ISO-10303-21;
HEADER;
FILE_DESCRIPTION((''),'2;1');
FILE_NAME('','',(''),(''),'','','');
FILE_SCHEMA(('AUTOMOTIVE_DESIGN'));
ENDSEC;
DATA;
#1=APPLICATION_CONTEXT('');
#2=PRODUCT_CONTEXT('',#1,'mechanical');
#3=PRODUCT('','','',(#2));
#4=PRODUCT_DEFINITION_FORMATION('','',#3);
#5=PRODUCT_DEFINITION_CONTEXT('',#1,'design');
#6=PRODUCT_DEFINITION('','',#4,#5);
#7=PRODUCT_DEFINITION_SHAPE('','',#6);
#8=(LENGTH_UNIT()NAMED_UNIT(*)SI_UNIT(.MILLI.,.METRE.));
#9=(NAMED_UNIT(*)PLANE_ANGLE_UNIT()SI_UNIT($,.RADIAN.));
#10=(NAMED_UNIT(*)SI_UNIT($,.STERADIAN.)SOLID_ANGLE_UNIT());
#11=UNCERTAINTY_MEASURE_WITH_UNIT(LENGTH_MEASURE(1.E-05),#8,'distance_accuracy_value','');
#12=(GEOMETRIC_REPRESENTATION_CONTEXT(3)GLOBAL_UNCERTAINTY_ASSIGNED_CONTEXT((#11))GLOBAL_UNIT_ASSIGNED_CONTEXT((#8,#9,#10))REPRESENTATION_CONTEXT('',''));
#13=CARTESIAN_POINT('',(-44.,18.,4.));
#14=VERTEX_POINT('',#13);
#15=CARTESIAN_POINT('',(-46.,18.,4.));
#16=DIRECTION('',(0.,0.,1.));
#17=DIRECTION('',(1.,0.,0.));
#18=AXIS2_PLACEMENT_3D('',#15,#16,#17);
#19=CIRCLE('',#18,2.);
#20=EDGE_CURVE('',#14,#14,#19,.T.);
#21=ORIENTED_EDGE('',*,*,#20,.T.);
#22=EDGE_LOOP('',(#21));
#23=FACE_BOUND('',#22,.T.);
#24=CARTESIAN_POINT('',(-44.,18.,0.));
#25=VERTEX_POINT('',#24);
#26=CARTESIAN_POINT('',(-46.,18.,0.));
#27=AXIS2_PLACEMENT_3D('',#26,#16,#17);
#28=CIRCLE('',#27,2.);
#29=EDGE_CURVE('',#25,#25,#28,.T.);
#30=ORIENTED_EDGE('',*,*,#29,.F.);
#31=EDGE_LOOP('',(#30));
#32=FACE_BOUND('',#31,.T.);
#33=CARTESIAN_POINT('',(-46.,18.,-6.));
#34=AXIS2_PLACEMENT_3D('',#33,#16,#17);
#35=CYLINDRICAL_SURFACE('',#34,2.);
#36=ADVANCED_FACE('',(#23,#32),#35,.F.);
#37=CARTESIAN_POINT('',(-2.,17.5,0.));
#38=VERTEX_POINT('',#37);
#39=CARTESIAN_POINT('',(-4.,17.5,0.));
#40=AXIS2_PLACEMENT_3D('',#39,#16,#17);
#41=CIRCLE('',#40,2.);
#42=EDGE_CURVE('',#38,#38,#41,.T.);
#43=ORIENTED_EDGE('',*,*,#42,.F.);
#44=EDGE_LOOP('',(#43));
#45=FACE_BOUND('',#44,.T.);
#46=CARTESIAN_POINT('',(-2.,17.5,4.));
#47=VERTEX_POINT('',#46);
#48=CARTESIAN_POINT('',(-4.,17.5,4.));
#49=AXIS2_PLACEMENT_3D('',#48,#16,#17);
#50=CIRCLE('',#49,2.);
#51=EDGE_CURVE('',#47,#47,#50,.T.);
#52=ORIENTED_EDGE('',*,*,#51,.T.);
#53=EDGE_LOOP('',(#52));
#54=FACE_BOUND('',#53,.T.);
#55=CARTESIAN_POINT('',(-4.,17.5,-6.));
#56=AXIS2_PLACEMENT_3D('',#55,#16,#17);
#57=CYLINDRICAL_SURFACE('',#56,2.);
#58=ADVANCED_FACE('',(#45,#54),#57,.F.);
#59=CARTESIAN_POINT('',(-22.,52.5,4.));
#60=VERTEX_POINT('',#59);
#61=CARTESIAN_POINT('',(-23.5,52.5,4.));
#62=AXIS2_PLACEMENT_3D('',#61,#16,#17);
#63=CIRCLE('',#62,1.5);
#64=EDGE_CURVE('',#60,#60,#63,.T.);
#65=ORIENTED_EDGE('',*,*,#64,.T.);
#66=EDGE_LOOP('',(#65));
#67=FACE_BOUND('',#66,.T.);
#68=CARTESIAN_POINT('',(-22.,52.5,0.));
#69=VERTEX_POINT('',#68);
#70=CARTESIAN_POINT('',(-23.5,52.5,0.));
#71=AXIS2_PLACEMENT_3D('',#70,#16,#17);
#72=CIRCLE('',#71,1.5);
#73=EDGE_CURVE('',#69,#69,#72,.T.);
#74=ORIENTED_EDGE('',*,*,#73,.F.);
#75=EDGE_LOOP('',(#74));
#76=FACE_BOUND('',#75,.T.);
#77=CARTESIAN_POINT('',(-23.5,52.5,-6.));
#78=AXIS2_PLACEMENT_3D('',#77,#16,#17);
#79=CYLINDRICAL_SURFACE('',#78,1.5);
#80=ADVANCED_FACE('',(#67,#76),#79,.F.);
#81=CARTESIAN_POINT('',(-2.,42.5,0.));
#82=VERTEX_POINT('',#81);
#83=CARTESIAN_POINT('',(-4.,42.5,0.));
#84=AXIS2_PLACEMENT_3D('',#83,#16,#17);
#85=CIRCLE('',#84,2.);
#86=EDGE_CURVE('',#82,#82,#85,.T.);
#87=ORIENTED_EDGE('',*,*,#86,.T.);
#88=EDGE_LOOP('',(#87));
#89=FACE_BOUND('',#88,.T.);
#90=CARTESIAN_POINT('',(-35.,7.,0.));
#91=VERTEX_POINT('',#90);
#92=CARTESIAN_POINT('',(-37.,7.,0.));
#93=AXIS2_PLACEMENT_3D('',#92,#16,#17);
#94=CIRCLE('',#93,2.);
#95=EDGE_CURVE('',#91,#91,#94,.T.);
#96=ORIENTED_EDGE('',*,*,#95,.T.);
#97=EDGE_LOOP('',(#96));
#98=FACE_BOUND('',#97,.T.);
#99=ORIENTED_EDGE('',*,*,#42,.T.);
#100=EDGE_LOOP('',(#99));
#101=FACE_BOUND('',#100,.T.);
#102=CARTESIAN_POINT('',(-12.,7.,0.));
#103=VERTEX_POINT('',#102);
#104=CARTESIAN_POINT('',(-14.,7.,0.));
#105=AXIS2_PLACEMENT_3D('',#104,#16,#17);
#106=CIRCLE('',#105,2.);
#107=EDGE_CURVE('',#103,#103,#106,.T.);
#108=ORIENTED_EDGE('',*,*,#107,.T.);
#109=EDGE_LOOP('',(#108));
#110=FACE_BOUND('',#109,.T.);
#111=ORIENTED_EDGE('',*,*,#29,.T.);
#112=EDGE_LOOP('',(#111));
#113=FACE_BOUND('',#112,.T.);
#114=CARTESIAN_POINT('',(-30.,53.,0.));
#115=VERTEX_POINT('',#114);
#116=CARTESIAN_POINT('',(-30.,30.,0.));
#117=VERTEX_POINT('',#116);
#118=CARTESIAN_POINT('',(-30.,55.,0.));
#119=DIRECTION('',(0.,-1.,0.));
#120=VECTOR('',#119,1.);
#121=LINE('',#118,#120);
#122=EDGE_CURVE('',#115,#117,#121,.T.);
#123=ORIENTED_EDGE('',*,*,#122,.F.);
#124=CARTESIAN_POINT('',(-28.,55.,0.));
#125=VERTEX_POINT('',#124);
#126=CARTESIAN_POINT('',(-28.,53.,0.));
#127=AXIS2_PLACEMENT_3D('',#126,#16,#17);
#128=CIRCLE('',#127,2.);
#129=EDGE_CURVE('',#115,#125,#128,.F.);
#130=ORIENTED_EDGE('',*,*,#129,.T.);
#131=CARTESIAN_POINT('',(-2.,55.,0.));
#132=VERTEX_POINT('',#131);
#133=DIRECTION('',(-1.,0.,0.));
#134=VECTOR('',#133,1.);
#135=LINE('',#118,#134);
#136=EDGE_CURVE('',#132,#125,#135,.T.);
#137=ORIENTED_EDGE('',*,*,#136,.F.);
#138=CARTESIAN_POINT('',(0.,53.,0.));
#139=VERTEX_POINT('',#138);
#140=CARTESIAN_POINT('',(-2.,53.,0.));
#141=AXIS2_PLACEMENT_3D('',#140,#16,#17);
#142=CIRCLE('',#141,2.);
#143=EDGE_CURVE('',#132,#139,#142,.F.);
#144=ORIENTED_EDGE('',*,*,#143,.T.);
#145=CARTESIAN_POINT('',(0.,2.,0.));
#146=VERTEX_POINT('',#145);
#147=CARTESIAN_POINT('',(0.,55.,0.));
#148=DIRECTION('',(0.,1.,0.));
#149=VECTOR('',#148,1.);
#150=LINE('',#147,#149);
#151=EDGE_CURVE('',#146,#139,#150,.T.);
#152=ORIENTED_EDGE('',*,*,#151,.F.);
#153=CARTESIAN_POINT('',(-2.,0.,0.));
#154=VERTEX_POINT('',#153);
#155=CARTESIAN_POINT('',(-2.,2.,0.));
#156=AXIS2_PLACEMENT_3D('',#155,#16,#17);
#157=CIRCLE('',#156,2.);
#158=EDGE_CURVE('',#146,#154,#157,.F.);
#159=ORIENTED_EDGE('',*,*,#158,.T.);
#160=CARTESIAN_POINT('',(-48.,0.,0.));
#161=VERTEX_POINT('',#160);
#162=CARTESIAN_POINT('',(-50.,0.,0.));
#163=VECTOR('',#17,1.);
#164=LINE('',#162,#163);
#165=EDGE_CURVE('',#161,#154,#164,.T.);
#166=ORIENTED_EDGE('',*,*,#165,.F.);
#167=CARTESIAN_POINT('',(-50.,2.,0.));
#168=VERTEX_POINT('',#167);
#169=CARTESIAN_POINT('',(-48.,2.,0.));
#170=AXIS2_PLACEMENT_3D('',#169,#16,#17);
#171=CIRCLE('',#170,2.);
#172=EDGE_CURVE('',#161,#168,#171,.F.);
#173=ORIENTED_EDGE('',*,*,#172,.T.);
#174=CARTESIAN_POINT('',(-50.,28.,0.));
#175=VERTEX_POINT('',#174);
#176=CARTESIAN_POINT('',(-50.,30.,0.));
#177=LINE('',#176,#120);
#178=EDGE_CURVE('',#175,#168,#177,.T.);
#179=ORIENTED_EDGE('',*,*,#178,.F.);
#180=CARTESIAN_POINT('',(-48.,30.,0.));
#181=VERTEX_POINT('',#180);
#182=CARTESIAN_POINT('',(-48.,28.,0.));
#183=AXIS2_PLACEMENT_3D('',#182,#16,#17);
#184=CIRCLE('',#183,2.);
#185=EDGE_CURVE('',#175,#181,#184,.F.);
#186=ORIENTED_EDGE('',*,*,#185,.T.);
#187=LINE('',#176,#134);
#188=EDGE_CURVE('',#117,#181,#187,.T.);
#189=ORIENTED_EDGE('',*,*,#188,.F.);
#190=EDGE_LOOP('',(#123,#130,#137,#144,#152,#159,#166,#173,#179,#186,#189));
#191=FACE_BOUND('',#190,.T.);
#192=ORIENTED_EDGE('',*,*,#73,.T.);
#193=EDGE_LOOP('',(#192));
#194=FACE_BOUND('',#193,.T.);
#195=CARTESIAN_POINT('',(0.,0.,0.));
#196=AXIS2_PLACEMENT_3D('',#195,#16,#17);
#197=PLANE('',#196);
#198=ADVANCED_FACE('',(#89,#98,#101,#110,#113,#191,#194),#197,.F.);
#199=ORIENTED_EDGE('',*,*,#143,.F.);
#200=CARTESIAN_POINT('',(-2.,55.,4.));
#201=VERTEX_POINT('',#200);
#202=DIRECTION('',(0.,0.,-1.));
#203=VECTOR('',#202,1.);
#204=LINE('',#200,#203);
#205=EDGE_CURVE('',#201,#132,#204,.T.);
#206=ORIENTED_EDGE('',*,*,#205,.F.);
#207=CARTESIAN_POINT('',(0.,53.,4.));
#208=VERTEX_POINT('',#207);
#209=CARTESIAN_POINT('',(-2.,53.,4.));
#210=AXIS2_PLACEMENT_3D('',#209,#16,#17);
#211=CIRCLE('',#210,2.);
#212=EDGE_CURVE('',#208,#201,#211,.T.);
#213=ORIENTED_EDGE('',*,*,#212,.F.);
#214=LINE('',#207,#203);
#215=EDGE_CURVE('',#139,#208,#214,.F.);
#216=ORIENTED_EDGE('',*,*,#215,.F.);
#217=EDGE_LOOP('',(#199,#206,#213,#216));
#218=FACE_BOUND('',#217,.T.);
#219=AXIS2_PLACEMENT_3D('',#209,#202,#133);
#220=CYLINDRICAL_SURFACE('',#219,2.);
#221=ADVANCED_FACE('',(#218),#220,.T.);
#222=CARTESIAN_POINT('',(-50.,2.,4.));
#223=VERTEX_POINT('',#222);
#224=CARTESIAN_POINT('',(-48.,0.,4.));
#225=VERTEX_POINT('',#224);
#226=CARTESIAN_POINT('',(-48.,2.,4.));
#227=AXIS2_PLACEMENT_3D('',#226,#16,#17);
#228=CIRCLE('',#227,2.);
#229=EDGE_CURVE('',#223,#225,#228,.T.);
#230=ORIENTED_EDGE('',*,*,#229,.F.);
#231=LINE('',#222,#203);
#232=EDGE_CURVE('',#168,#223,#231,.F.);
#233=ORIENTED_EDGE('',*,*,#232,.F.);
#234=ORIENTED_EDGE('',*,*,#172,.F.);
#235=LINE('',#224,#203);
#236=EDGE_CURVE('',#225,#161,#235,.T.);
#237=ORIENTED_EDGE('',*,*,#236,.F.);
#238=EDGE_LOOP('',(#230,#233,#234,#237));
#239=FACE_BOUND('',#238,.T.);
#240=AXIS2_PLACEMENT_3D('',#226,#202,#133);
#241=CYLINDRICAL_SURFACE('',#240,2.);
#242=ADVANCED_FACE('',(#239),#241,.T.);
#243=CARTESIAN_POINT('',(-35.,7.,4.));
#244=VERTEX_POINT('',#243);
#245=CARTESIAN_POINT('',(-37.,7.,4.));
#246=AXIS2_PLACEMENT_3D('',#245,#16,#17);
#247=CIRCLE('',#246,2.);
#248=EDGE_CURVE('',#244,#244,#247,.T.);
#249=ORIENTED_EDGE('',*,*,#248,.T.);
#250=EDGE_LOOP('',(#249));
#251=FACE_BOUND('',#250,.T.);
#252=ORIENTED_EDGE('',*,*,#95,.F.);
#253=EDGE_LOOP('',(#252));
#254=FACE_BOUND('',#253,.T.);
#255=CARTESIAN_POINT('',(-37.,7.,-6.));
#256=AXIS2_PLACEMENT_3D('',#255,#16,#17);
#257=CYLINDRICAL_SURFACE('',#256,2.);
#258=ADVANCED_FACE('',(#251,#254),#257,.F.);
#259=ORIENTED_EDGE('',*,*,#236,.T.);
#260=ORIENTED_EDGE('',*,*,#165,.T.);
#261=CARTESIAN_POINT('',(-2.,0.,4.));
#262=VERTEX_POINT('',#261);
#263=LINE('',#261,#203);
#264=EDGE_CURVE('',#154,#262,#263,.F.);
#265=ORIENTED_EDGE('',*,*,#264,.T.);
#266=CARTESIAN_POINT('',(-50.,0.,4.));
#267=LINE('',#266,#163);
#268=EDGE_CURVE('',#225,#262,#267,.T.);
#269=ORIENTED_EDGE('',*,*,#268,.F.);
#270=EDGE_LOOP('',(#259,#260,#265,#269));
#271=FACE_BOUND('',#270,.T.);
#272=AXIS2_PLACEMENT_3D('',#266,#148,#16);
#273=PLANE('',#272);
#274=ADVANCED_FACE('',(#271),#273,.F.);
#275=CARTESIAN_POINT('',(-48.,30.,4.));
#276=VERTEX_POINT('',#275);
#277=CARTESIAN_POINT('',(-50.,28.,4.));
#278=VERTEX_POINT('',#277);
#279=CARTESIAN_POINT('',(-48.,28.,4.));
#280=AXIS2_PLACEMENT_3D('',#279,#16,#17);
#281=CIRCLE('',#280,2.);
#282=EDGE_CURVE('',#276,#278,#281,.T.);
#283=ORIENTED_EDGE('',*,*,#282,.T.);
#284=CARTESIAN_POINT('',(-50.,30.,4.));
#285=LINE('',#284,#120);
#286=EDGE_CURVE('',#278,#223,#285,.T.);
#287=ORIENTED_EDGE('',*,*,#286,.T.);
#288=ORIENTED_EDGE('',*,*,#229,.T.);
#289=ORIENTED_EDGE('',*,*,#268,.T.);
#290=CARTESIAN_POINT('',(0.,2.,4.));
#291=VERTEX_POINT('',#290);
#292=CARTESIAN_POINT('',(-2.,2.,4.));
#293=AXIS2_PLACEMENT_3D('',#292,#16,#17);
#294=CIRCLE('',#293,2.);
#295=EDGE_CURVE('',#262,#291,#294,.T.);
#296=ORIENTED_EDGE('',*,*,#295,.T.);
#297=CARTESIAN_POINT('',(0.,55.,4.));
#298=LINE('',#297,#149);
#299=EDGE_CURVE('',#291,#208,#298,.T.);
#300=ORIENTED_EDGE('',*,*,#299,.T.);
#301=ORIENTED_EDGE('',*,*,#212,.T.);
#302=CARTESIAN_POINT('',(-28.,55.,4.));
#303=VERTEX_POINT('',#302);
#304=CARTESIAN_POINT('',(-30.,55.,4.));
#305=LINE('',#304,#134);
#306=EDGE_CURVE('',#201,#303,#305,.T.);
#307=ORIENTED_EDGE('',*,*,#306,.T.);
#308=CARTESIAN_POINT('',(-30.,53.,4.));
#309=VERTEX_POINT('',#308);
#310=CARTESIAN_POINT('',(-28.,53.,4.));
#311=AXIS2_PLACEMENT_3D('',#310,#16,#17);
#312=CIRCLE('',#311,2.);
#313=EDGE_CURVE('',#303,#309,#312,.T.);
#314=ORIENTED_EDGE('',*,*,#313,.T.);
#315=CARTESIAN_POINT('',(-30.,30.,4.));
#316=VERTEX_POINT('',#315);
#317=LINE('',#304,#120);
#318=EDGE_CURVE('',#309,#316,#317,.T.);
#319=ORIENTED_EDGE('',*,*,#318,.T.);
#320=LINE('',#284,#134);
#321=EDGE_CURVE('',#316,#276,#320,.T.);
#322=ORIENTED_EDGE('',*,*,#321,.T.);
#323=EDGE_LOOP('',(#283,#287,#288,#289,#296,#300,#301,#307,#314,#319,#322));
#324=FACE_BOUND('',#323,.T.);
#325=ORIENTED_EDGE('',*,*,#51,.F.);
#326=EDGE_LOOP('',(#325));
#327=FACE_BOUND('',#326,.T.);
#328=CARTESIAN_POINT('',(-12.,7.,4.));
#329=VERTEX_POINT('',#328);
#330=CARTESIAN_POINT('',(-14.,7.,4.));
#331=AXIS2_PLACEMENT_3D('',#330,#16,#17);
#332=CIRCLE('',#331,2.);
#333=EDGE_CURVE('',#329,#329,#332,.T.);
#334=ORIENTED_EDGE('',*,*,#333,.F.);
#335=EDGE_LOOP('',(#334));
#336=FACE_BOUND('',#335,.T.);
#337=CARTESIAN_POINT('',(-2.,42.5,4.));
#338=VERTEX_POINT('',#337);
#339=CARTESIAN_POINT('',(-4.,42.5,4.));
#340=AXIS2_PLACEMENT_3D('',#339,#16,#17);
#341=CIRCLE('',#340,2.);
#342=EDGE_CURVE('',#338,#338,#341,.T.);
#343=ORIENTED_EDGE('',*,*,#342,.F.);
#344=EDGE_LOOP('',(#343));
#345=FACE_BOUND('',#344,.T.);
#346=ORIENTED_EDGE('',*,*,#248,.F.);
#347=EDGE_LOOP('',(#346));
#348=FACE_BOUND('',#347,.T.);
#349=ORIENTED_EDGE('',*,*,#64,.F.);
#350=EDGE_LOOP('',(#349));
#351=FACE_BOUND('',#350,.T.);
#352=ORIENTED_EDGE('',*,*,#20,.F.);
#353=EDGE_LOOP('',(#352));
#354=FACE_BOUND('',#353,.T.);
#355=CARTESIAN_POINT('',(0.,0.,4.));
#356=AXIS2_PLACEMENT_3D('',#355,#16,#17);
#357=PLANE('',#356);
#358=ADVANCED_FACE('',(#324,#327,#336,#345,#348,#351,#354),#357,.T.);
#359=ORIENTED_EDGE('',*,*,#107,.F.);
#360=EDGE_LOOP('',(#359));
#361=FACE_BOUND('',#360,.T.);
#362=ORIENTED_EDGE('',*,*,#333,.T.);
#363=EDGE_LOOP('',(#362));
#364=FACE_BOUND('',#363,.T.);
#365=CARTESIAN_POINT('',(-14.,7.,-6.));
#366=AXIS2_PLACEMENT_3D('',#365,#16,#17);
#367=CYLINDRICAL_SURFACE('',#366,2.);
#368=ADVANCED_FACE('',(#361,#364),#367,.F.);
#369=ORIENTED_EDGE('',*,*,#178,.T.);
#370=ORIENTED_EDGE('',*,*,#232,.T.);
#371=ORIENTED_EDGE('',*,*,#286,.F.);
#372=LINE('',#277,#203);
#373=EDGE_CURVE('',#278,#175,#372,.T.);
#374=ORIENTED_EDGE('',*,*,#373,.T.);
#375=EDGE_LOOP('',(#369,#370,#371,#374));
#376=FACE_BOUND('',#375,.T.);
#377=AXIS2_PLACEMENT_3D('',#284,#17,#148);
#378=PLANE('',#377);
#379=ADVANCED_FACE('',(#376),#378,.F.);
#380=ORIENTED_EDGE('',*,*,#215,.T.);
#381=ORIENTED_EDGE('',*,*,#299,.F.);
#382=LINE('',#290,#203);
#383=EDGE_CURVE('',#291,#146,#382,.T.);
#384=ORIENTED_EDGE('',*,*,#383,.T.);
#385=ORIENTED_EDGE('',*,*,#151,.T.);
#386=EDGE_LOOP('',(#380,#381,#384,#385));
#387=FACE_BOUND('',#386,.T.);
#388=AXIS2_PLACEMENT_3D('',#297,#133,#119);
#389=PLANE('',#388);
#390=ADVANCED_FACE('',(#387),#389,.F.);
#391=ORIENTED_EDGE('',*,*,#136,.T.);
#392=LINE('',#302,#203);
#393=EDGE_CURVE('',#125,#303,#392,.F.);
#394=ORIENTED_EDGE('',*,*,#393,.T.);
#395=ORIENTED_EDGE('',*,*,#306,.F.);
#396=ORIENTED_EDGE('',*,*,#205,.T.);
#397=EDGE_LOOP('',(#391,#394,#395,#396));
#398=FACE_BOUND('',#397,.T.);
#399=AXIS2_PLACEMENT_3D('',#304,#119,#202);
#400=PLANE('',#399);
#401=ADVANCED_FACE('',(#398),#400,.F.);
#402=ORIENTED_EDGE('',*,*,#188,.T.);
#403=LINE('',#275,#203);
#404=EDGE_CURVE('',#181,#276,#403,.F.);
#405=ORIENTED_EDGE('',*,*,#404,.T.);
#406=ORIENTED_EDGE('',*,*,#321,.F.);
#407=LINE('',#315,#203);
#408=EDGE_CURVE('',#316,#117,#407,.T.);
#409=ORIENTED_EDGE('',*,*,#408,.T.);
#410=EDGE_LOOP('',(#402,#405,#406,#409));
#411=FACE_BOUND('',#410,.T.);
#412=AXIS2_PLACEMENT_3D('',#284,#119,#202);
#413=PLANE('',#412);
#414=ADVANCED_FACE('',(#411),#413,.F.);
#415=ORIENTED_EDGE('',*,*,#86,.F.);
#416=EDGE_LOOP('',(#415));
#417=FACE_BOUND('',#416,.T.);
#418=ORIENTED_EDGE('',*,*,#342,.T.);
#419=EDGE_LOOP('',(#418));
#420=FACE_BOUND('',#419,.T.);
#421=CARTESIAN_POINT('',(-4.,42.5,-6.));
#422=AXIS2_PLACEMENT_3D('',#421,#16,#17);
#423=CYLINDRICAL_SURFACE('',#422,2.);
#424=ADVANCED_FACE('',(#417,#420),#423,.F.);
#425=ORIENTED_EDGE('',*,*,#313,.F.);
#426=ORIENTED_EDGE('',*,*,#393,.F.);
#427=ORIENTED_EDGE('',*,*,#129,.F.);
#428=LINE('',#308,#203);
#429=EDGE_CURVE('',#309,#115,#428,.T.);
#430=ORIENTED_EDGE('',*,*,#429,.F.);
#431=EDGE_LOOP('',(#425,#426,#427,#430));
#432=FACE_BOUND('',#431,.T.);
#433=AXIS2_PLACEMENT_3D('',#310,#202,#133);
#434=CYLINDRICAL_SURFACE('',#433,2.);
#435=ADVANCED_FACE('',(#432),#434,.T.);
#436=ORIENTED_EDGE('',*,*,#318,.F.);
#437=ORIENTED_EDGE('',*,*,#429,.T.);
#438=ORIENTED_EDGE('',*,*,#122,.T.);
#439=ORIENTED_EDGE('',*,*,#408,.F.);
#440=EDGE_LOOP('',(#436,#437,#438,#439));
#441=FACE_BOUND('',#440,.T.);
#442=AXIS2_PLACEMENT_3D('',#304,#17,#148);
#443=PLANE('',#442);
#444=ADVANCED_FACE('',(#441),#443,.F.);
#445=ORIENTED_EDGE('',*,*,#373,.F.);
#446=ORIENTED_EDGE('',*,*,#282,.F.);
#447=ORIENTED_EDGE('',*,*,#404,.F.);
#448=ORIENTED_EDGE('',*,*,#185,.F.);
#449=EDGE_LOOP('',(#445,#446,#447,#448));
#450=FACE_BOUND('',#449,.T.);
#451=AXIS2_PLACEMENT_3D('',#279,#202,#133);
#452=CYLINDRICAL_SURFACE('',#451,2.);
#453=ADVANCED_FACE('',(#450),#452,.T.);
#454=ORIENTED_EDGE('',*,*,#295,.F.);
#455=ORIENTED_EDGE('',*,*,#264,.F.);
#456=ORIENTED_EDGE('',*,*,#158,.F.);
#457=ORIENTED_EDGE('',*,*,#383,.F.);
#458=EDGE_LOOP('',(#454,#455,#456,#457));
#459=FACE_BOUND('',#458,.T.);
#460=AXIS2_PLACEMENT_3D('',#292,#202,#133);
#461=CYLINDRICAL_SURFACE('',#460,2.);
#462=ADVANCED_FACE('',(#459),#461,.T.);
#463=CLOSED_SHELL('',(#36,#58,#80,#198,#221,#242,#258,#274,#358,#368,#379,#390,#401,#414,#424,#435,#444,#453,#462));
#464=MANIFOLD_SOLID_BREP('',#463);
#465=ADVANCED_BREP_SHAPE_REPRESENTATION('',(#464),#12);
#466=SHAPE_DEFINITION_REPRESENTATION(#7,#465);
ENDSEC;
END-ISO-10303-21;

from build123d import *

# Parameters (mm, degrees)
BOSS_EXTRUDE1_DEPTH = 4
FILLET1_R           = 2
SKETCH3_R           = 1.5
SKETCH3_R_2         = 2
CUT_EXTRUDE1_DEPTH  = 10


with BuildPart() as part:
    # Sketch1 → Boss-Extrude1 (new body)
    with BuildSketch(Plane.XY):
        Polygon((-30, 55), (0, 55), (0, 0), (-50, 0), (-50, 30), (-30, 30), align=None)
    extrude(amount=BOSS_EXTRUDE1_DEPTH)

    # Fillet1
    fillet1_edges = [part.edges().sort_by_distance(p)[0] for p in [
        (0, 0, 2),
        (-50, 0, 2),
        (-50, 30, 2),
        (-30, 55, 2),
        (0, 55, 2),
    ]]
    fillet(fillet1_edges, radius=FILLET1_R)

    # Sketch3 → Cut-Extrude1 (cut)
    with BuildSketch(Plane.XY.offset(4)):
        with Locations((-23.5, 52.5)):
            Circle(SKETCH3_R)
        with Locations((-46, 18)):
            Circle(SKETCH3_R_2)
        with Locations((-37, 7)):
            Circle(SKETCH3_R_2)
        with Locations((-14, 7)):
            Circle(SKETCH3_R_2)
        with Locations((-4, 17.5)):
            Circle(SKETCH3_R_2)
        with Locations((-4, 42.5)):
            Circle(SKETCH3_R_2)
    extrude(amount=-CUT_EXTRUDE1_DEPTH, mode=Mode.SUBTRACT)


solid = part.part
